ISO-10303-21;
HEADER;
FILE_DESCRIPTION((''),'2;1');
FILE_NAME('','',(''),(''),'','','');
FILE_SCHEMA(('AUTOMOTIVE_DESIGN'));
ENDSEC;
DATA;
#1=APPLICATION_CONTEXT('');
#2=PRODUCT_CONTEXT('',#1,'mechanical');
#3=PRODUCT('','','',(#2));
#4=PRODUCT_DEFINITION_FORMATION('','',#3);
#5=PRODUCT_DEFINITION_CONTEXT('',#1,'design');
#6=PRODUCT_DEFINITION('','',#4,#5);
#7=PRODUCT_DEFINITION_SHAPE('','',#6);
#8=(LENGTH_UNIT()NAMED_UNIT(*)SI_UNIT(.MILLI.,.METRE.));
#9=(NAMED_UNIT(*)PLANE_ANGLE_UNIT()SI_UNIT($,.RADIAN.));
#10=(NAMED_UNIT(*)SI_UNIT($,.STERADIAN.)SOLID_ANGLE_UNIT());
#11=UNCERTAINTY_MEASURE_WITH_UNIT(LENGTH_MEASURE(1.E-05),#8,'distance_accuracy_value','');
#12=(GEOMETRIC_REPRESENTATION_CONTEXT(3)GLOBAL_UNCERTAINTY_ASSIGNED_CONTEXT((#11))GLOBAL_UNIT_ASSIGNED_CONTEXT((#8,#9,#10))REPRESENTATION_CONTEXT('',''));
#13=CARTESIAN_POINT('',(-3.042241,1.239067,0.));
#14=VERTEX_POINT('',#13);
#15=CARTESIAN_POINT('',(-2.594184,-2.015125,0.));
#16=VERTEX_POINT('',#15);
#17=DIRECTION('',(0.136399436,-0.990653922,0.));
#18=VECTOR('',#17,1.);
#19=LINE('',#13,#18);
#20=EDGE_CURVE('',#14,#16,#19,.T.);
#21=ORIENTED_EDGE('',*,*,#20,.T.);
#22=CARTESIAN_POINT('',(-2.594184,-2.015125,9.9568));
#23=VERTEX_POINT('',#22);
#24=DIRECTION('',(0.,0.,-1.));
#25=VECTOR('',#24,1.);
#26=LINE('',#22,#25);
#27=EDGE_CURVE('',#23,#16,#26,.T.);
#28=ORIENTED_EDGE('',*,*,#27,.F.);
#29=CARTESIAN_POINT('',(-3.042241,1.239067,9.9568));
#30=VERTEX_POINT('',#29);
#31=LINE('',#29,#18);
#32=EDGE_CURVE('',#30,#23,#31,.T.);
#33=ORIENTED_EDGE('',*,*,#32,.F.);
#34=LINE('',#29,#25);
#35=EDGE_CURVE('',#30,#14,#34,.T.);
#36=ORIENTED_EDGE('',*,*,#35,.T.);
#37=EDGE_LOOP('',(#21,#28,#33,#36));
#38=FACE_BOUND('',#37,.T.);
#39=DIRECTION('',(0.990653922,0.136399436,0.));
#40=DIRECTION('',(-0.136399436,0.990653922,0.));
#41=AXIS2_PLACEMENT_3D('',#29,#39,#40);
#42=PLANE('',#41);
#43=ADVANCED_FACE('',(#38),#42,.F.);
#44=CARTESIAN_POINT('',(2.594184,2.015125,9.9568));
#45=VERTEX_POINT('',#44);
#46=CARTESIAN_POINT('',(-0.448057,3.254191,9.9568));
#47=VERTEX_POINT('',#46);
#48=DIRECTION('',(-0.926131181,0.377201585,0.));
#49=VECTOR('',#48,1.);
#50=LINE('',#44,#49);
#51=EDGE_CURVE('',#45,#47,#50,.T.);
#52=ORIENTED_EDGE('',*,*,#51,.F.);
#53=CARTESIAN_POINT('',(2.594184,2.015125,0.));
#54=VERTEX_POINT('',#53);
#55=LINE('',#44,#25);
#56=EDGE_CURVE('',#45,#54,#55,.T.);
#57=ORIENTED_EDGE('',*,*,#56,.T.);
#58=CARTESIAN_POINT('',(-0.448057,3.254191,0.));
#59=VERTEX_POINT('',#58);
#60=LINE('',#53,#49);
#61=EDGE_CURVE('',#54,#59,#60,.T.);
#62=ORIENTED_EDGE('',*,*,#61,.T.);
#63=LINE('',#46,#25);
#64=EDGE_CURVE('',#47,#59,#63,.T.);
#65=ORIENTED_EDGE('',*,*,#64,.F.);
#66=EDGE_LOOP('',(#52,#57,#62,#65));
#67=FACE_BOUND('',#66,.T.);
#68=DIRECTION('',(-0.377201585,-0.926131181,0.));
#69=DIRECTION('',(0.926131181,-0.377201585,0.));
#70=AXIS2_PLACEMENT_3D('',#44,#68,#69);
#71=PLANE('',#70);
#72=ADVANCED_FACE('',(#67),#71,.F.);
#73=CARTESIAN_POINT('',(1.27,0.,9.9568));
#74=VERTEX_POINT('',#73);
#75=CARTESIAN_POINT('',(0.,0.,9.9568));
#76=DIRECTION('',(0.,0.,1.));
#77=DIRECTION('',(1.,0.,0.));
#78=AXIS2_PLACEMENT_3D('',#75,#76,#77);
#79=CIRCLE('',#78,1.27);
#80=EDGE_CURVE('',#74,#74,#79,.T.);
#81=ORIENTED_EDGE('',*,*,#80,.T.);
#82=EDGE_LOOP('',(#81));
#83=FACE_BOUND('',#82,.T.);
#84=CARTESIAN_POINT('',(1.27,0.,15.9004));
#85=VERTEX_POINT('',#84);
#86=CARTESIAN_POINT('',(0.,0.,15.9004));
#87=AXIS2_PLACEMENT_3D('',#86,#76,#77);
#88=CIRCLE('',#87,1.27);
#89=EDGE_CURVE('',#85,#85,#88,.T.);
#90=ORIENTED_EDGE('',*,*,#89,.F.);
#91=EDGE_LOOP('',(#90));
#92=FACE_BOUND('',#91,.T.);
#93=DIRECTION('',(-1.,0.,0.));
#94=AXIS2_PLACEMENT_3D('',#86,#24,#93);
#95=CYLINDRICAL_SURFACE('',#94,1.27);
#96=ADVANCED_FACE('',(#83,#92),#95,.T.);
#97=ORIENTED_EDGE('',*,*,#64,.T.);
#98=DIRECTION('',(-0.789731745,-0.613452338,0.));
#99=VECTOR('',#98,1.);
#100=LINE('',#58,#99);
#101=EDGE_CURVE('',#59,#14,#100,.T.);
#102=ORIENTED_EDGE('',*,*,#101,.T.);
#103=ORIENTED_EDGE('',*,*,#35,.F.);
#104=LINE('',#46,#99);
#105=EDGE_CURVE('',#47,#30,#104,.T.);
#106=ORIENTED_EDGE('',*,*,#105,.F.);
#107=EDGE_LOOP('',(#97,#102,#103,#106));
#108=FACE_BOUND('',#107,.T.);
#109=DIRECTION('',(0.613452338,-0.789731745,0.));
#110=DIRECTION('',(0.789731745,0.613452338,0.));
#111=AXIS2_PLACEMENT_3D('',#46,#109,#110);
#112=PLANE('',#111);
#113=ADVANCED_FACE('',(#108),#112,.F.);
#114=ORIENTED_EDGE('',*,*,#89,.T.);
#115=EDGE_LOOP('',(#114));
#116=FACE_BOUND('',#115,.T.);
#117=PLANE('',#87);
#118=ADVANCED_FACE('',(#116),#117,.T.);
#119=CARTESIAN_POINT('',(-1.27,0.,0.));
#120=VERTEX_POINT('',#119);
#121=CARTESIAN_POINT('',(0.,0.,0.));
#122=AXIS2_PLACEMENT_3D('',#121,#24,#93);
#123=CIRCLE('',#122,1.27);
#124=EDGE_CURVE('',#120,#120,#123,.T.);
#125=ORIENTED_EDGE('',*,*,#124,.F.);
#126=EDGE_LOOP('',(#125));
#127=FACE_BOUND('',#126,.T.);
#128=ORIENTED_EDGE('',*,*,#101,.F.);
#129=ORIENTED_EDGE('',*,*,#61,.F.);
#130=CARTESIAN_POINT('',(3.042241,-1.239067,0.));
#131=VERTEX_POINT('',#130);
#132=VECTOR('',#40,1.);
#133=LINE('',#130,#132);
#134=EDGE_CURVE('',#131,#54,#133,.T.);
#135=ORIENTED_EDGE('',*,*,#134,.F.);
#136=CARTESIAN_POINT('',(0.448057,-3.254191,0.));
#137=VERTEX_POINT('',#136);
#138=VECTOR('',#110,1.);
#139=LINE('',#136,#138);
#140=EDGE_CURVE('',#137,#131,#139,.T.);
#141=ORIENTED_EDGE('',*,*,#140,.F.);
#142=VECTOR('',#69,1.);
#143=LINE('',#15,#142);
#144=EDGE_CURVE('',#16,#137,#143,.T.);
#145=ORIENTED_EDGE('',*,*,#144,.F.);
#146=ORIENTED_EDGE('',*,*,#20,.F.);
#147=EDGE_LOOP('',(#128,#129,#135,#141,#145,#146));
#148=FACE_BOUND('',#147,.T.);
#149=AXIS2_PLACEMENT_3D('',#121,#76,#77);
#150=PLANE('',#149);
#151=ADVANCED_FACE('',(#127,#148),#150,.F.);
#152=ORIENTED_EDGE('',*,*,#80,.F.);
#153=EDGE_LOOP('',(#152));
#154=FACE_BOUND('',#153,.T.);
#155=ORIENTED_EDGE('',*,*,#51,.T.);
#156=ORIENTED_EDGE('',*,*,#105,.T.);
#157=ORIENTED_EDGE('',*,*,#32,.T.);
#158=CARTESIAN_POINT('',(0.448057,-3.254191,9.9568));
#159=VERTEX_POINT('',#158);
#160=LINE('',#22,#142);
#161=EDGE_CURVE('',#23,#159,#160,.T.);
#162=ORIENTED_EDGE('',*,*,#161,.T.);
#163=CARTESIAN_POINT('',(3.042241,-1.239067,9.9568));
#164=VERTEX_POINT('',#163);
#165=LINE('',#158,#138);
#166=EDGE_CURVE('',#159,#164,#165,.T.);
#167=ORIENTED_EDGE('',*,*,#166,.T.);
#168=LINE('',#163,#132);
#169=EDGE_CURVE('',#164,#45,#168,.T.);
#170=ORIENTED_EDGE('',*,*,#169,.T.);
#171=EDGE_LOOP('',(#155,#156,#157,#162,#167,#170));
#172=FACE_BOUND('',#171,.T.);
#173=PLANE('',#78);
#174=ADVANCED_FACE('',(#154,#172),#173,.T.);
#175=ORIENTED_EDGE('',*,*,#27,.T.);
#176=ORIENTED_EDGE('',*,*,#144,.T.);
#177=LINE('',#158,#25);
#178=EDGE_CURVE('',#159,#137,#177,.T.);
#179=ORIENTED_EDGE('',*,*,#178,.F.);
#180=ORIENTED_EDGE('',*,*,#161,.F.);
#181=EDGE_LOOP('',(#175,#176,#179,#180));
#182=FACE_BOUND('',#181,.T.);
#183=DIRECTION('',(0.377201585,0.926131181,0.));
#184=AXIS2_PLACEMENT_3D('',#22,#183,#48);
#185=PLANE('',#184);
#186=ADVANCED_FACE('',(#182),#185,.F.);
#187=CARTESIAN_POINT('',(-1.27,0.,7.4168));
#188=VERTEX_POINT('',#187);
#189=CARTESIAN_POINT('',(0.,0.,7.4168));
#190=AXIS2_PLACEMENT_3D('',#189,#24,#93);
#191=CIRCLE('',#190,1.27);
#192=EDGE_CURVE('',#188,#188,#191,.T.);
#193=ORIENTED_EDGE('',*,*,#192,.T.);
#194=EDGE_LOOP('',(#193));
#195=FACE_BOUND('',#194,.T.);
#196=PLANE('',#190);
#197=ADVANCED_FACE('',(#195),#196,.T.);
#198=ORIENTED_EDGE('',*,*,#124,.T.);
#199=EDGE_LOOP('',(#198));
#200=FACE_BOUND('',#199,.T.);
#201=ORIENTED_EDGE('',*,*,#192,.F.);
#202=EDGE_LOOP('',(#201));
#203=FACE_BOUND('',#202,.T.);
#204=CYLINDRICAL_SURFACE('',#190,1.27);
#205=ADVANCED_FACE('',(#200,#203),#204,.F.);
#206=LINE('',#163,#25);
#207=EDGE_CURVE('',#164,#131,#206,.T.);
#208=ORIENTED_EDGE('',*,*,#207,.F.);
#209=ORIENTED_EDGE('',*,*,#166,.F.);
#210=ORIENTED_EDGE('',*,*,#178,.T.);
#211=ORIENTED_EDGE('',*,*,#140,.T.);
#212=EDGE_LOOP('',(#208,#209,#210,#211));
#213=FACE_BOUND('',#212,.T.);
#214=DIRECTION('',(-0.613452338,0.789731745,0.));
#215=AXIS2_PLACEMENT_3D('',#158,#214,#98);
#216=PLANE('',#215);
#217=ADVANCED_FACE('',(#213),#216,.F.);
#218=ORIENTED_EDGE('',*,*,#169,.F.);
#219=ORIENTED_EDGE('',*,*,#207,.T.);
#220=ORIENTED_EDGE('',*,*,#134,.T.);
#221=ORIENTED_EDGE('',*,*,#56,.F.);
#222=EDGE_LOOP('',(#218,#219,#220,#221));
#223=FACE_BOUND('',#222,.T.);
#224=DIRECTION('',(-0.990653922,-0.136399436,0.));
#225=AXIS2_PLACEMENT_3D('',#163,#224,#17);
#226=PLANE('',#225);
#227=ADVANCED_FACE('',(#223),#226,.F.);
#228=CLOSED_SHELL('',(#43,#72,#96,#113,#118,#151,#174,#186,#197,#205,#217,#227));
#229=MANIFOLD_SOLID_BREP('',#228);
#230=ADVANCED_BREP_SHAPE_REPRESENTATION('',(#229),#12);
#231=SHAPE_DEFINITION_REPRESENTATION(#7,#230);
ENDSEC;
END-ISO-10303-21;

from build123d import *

# Parameters (mm, degrees)
BOSS_EXTRUDE1_DEPTH = 9.9568
SKETCH3_R           = 1.27
CUT_EXTRUDE1_DEPTH  = 7.4168
SKETCH4_R           = 1.27
BOSS_EXTRUDE2_DEPTH = 5.9436


with BuildPart() as part:
    # Sketch1 → Boss-Extrude1 (new body)
    with BuildSketch(Plane.XY):
        Polygon((-2.594183564, -2.015124733), (0.448057428, -3.254191235), (3.042240993, -1.239066502), (2.594183564, 2.015124733), (-0.448057428, 3.254191235), (-3.042240993, 1.239066502), align=None)
    extrude(amount=BOSS_EXTRUDE1_DEPTH)

    # Sketch3 → Cut-Extrude1 (cut)
    with BuildSketch(Plane(origin=(0, 0, 0), x_dir=(-1, 0, 0), z_dir=(0, 0, -1))):
        Circle(SKETCH3_R)
    extrude(amount=-CUT_EXTRUDE1_DEPTH, mode=Mode.SUBTRACT)

    # Sketch4 → Boss-Extrude2 (add)
    with BuildSketch(Plane.XY.offset(9.9568)):
        with Locations(Location((0, 0, 0), (0, 0, 180))):
            Circle(SKETCH4_R)
    extrude(amount=BOSS_EXTRUDE2_DEPTH)


solid = part.part
